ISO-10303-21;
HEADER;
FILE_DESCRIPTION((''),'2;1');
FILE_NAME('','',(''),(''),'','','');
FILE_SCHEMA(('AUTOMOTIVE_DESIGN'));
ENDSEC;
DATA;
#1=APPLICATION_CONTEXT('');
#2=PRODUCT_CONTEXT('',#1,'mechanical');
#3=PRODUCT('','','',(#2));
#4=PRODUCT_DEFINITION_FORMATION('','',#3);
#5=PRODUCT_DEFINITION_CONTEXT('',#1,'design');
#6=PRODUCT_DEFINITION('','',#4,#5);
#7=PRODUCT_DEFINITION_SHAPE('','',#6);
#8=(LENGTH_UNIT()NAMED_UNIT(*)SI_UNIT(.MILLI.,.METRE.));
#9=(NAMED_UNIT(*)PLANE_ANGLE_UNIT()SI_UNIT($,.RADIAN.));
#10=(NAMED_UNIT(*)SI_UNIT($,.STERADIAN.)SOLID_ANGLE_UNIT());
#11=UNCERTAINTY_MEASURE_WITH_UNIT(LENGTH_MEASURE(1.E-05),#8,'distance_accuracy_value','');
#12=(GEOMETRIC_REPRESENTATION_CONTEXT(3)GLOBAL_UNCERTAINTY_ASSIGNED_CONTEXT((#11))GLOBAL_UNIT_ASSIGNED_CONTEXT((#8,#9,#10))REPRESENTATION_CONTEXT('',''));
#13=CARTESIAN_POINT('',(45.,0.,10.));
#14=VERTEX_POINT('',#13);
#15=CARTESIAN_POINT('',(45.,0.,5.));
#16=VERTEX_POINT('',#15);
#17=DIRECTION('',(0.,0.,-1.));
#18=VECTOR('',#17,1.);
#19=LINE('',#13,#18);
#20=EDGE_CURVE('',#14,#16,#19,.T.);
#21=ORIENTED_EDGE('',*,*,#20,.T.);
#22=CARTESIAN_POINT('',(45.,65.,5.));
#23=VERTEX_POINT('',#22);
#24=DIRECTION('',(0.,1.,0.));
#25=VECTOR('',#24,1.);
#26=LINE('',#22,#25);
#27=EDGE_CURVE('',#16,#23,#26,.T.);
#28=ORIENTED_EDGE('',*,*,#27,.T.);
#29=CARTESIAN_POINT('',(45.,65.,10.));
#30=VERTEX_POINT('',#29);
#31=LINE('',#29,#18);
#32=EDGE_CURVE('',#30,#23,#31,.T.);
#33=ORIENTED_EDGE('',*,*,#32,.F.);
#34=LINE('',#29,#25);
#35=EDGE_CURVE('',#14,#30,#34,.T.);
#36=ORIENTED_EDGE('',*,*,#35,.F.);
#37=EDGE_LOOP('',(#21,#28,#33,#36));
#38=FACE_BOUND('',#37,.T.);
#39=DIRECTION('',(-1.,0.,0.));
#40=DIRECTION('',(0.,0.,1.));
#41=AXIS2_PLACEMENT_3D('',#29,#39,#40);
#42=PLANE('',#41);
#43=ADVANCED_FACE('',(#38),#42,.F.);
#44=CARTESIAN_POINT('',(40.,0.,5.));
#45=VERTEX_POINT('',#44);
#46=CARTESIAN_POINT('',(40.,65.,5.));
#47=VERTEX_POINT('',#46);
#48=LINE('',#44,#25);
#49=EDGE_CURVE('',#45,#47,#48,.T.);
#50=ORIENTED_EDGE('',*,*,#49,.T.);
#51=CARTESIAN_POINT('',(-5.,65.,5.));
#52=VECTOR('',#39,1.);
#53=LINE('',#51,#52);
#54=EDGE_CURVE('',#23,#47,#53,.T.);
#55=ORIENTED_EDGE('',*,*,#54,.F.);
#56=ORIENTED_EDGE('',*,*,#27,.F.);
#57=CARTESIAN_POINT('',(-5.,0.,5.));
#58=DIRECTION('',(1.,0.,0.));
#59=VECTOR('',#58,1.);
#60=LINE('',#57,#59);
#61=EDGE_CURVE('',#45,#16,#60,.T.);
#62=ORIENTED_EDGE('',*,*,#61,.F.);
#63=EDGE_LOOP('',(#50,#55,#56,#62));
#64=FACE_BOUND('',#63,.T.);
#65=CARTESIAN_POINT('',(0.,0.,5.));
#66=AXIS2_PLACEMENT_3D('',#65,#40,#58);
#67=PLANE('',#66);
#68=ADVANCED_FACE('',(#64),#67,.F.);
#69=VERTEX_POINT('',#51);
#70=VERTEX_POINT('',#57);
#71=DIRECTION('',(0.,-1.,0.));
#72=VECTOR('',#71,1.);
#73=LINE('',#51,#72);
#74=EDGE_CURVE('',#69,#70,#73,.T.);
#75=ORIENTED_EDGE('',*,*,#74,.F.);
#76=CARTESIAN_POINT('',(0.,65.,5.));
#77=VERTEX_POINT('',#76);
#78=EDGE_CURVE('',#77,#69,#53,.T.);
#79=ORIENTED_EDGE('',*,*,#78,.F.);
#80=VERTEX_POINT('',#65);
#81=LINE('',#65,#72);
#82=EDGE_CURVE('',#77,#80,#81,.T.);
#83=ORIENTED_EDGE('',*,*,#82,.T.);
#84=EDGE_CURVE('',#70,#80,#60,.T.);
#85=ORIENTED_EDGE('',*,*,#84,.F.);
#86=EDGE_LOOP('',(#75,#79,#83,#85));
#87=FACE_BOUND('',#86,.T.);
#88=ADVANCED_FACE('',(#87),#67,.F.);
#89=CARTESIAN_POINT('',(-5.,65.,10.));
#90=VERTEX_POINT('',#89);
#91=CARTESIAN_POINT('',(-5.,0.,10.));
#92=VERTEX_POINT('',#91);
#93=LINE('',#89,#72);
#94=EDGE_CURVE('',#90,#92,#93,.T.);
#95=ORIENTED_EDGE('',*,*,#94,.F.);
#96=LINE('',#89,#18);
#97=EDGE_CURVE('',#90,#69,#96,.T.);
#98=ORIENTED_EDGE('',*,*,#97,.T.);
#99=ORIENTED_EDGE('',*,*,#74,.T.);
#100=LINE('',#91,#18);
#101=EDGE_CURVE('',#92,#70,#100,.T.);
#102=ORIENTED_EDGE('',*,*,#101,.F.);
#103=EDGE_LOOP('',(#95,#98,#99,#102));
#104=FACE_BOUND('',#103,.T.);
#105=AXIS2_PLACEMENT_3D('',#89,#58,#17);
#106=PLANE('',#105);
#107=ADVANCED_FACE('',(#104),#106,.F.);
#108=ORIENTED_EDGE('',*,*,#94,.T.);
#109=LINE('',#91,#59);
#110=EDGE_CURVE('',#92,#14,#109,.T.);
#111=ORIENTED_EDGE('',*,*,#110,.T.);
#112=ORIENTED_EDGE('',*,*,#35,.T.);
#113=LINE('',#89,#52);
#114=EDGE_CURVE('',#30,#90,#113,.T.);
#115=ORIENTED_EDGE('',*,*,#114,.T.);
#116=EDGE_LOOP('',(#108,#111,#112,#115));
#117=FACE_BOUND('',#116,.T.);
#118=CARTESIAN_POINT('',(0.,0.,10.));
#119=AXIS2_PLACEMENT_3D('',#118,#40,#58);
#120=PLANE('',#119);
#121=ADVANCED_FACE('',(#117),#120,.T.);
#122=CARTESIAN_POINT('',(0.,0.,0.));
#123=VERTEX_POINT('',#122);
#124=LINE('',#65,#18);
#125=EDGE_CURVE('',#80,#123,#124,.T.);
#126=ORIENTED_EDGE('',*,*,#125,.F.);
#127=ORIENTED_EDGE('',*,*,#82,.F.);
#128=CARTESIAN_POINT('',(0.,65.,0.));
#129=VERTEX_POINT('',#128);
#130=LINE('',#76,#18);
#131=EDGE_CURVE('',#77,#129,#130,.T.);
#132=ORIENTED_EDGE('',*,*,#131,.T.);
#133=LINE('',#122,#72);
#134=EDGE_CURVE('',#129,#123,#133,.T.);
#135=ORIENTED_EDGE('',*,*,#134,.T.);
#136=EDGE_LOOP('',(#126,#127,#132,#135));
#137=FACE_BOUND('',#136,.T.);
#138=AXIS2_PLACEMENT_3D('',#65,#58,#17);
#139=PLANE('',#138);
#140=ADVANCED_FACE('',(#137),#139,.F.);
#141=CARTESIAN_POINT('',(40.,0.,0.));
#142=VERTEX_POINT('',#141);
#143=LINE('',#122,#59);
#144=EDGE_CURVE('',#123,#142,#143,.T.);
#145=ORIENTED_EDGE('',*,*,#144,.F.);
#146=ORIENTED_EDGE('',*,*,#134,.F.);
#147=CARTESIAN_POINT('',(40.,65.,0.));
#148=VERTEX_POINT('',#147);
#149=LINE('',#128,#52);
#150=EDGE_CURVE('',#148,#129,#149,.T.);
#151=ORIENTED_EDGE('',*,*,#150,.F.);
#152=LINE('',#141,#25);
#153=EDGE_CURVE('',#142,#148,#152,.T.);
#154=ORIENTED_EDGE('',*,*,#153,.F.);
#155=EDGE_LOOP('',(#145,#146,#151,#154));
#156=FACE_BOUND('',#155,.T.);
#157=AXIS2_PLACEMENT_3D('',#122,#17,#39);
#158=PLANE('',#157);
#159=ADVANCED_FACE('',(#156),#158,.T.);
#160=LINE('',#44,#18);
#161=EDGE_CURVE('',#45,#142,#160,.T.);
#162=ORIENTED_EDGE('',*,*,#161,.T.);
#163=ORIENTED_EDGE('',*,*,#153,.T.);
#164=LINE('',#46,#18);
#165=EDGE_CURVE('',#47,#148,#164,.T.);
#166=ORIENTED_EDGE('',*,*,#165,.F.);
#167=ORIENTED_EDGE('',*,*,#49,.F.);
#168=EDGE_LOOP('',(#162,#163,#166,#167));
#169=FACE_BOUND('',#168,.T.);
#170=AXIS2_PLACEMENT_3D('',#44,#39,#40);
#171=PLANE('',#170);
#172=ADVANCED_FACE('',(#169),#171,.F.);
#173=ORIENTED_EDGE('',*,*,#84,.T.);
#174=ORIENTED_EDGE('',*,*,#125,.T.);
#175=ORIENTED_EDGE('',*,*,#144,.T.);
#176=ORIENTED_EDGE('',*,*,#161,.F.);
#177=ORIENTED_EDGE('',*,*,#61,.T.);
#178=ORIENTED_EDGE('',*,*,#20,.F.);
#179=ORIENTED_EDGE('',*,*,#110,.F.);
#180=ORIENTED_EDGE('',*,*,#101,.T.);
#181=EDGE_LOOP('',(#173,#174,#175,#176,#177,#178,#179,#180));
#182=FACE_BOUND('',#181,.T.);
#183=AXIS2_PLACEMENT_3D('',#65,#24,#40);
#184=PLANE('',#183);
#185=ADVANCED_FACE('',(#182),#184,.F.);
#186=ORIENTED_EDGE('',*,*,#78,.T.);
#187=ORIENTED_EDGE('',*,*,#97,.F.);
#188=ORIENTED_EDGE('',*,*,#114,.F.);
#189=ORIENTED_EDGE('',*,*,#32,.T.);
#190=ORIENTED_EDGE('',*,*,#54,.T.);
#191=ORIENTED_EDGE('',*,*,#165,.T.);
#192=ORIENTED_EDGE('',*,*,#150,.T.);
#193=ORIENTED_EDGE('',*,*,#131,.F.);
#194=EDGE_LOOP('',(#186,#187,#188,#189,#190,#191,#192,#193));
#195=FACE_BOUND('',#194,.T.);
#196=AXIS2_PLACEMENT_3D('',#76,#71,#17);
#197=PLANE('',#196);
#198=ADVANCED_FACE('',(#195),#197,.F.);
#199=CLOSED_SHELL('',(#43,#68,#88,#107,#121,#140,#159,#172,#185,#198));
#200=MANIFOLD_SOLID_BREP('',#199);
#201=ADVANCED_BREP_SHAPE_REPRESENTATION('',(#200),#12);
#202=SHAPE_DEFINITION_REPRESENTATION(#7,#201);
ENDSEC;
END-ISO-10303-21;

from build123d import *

# Parameters (mm, degrees)
ESQUISSE1_W        = 40
ESQUISSE1_H        = 65
BOSS_EXTRU_1_DEPTH = 5
ESQUISSE2_W        = 50
ESQUISSE2_H        = 65
BOSS_EXTRU_2_DEPTH = 5


with BuildPart() as part:
    # Esquisse1 → Boss.-Extru.1 (new body)
    with BuildSketch(Plane.XY):
        with Locations((20, 32.5)):
            Rectangle(ESQUISSE1_W, ESQUISSE1_H)
    extrude(amount=BOSS_EXTRU_1_DEPTH)

    # Esquisse2 → Boss.-Extru.2 (add)
    with BuildSketch(Plane.XY.offset(5)):
        with Locations((20, 32.5)):
            Rectangle(ESQUISSE2_W, ESQUISSE2_H)
    extrude(amount=BOSS_EXTRU_2_DEPTH)


solid = part.part
